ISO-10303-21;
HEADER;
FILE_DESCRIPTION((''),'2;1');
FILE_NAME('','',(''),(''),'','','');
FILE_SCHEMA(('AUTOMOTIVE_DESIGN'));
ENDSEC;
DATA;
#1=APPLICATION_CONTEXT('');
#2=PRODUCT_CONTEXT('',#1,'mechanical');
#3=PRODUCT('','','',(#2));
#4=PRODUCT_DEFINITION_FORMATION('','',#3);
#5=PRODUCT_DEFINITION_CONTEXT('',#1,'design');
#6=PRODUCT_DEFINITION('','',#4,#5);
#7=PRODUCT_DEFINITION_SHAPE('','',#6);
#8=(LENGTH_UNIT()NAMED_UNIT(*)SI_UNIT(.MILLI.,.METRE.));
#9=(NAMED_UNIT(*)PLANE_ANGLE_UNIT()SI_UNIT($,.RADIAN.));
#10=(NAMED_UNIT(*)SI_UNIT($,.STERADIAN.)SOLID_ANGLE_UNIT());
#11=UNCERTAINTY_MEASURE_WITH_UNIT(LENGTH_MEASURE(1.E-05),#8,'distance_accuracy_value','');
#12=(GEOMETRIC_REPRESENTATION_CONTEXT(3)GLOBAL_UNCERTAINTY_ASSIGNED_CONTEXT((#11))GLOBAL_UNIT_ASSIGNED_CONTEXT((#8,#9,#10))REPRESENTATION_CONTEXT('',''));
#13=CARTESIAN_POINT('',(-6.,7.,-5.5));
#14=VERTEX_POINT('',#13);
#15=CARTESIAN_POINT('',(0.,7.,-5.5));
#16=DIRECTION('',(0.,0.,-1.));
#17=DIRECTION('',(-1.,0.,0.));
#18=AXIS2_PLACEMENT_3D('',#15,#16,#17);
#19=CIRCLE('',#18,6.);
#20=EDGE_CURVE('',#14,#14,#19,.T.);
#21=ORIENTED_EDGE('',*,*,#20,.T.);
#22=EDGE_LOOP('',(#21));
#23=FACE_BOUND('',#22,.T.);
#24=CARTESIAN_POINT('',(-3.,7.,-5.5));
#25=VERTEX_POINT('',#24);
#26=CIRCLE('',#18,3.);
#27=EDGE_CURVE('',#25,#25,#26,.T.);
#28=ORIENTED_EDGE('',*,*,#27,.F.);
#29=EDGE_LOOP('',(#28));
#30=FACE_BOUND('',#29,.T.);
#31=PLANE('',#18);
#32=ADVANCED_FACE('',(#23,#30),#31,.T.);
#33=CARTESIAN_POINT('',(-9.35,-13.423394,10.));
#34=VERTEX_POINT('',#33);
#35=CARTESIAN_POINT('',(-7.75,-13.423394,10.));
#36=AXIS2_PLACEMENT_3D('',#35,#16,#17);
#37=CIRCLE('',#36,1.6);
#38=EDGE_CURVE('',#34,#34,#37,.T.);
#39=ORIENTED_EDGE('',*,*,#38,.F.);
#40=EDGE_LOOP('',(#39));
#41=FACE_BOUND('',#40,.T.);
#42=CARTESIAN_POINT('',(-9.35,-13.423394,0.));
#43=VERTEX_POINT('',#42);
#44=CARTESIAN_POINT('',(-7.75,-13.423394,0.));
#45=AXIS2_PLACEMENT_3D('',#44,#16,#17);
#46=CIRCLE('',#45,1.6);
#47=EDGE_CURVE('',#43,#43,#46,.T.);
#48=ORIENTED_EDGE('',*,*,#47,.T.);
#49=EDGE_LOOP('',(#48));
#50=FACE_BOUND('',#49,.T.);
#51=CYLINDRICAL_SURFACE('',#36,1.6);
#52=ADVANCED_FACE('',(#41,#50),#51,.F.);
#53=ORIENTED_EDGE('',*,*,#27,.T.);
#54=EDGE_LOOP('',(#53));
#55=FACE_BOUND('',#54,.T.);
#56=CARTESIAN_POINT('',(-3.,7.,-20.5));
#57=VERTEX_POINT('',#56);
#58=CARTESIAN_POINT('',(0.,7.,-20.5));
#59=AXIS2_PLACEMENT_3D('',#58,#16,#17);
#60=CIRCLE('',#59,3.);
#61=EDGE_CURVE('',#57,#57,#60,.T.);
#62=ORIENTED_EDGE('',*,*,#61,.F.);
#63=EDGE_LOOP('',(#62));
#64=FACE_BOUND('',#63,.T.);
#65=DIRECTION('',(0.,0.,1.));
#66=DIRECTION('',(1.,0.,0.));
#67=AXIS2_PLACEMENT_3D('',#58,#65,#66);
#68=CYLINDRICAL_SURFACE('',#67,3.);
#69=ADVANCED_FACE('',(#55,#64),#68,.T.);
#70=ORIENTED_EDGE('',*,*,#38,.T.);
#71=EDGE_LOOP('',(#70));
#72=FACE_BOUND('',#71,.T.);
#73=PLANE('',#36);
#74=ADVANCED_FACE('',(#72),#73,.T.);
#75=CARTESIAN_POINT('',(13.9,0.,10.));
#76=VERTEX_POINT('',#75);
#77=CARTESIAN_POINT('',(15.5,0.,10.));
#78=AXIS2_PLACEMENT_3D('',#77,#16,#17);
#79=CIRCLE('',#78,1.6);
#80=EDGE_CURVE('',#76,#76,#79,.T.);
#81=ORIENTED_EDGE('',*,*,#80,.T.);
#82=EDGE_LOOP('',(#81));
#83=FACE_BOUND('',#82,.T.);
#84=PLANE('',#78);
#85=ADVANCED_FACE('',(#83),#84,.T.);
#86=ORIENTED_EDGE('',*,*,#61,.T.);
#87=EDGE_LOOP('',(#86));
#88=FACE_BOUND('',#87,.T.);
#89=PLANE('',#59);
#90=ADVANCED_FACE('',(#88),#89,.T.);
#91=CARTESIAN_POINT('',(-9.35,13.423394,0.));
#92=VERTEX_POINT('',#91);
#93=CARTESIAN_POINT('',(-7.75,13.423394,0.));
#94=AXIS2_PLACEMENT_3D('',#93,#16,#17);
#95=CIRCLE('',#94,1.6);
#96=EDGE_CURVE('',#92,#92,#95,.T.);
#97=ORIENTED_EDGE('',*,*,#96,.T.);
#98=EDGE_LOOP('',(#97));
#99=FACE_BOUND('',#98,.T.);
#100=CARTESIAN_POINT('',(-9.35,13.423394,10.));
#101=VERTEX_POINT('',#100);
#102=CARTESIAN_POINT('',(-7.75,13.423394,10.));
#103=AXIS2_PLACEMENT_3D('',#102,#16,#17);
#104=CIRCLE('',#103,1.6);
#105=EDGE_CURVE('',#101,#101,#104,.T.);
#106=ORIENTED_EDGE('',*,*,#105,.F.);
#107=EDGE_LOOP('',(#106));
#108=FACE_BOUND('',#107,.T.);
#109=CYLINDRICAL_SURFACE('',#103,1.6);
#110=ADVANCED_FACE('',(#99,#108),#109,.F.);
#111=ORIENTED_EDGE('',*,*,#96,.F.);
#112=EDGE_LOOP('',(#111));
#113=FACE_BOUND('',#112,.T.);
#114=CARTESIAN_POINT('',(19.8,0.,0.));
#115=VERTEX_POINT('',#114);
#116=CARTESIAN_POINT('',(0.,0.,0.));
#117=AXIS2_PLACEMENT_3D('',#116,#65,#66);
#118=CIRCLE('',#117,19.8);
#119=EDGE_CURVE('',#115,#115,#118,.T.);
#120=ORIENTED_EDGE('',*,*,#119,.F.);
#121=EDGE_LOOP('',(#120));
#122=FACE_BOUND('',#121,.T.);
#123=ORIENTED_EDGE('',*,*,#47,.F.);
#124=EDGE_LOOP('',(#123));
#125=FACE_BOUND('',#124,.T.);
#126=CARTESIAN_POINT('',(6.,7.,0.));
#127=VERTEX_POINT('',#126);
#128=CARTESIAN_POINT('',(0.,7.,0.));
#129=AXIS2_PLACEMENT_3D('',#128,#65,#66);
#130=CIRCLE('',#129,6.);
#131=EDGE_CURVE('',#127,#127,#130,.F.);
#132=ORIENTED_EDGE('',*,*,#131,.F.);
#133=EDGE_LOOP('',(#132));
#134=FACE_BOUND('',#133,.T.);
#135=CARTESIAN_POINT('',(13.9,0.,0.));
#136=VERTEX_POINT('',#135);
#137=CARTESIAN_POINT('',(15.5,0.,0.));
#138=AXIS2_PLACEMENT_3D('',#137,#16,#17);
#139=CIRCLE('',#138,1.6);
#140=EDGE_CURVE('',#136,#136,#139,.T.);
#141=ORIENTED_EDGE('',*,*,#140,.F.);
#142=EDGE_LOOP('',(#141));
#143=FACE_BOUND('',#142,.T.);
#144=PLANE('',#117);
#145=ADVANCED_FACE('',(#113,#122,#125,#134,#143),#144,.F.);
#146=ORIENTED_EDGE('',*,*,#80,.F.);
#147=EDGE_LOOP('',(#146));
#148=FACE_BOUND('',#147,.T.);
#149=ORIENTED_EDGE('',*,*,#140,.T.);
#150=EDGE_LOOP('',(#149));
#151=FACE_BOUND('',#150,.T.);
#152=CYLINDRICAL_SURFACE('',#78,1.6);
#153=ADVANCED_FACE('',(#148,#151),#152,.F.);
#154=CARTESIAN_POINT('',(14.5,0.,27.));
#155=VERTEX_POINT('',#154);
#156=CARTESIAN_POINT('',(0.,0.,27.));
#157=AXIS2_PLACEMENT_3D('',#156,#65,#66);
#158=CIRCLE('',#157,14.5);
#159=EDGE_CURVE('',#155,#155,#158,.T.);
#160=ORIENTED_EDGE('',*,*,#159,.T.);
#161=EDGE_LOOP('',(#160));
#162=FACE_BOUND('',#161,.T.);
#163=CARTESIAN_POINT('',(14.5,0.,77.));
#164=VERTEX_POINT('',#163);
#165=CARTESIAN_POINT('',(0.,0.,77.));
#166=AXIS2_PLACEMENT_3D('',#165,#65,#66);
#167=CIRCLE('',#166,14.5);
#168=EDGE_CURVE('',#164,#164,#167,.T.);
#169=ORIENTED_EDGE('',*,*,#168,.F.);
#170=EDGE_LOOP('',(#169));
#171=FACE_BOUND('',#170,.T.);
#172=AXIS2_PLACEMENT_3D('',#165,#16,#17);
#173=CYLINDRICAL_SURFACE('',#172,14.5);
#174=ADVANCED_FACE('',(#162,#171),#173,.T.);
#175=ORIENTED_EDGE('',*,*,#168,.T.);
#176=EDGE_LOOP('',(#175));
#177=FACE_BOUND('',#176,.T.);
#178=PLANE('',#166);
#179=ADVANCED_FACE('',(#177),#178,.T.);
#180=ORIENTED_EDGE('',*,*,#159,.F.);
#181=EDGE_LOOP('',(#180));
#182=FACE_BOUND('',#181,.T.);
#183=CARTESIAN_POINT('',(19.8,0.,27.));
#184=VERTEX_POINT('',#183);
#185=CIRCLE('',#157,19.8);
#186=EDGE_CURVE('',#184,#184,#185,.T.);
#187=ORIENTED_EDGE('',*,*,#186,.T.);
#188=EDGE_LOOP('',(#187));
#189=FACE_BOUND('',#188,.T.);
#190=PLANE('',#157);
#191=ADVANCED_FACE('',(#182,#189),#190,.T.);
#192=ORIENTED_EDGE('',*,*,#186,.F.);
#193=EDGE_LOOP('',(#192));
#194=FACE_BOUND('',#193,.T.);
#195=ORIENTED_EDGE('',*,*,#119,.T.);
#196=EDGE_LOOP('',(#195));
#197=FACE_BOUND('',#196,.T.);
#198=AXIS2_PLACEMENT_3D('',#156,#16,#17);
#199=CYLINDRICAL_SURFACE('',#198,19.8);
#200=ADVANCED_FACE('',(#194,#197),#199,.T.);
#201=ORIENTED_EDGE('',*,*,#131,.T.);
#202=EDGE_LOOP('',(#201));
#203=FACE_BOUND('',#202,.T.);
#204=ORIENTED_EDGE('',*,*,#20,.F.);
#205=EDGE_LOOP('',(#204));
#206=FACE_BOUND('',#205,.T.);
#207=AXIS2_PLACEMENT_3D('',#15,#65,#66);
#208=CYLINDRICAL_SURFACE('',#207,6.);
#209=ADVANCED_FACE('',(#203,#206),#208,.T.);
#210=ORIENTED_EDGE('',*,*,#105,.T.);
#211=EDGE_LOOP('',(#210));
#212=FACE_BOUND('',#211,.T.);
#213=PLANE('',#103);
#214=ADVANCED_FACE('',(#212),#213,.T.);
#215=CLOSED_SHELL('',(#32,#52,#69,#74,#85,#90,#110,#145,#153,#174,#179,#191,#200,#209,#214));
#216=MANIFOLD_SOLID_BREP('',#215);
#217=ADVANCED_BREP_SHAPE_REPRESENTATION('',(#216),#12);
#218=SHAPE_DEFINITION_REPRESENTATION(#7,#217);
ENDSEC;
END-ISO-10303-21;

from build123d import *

# Parameters (mm, degrees)
SKETCH2_R           = 19.8
BOSS_EXTRUDE1_DEPTH = 27
SKETCH3_R           = 14.5
BOSS_EXTRUDE2_DEPTH = 50
SKETCH5_R           = 1.6
CUT_EXTRUDE1_DEPTH  = 10
SKETCH6_R           = 6
BOSS_EXTRUDE3_DEPTH = 5.5
SKETCH7_R           = 3
BOSS_EXTRUDE4_DEPTH = 15


with BuildPart() as part:
    # Sketch2 → Boss-Extrude1 (new body)
    with BuildSketch(Plane.XY):
        Circle(SKETCH2_R)
    extrude(amount=BOSS_EXTRUDE1_DEPTH)

    # Sketch3 → Boss-Extrude2 (add)
    with BuildSketch(Plane.XY.offset(27)):
        Circle(SKETCH3_R)
    extrude(amount=BOSS_EXTRUDE2_DEPTH)

    # Sketch5 → Cut-Extrude1 (cut)
    with BuildSketch(Plane(origin=(0, 0, 0), x_dir=(-1, 0, 0), z_dir=(0, 0, -1))):
        with Locations((-15.5, 0)):
            Circle(SKETCH5_R)
        with Locations((7.75, 13.423393759)):
            Circle(SKETCH5_R)
        with Locations((7.75, -13.423393759)):
            Circle(SKETCH5_R)
    extrude(amount=-CUT_EXTRUDE1_DEPTH, mode=Mode.SUBTRACT)

    # Sketch6 → Boss-Extrude3 (add)
    with BuildSketch(Plane(origin=(0, 0, 0), x_dir=(-1, 0, 0), z_dir=(0, 0, -1))):
        with Locations(Location((0, 7, 0), (0, 0, 180))):
            Circle(SKETCH6_R)
    extrude(amount=BOSS_EXTRUDE3_DEPTH)

    # Sketch7 → Boss-Extrude4 (add)
    with BuildSketch(Plane(origin=(0, 0, -5.5), x_dir=(-1, 0, 0), z_dir=(0, 0, -1))):
        with Locations((0, 7)):
            Circle(SKETCH7_R)
    extrude(amount=BOSS_EXTRUDE4_DEPTH)


solid = part.part
